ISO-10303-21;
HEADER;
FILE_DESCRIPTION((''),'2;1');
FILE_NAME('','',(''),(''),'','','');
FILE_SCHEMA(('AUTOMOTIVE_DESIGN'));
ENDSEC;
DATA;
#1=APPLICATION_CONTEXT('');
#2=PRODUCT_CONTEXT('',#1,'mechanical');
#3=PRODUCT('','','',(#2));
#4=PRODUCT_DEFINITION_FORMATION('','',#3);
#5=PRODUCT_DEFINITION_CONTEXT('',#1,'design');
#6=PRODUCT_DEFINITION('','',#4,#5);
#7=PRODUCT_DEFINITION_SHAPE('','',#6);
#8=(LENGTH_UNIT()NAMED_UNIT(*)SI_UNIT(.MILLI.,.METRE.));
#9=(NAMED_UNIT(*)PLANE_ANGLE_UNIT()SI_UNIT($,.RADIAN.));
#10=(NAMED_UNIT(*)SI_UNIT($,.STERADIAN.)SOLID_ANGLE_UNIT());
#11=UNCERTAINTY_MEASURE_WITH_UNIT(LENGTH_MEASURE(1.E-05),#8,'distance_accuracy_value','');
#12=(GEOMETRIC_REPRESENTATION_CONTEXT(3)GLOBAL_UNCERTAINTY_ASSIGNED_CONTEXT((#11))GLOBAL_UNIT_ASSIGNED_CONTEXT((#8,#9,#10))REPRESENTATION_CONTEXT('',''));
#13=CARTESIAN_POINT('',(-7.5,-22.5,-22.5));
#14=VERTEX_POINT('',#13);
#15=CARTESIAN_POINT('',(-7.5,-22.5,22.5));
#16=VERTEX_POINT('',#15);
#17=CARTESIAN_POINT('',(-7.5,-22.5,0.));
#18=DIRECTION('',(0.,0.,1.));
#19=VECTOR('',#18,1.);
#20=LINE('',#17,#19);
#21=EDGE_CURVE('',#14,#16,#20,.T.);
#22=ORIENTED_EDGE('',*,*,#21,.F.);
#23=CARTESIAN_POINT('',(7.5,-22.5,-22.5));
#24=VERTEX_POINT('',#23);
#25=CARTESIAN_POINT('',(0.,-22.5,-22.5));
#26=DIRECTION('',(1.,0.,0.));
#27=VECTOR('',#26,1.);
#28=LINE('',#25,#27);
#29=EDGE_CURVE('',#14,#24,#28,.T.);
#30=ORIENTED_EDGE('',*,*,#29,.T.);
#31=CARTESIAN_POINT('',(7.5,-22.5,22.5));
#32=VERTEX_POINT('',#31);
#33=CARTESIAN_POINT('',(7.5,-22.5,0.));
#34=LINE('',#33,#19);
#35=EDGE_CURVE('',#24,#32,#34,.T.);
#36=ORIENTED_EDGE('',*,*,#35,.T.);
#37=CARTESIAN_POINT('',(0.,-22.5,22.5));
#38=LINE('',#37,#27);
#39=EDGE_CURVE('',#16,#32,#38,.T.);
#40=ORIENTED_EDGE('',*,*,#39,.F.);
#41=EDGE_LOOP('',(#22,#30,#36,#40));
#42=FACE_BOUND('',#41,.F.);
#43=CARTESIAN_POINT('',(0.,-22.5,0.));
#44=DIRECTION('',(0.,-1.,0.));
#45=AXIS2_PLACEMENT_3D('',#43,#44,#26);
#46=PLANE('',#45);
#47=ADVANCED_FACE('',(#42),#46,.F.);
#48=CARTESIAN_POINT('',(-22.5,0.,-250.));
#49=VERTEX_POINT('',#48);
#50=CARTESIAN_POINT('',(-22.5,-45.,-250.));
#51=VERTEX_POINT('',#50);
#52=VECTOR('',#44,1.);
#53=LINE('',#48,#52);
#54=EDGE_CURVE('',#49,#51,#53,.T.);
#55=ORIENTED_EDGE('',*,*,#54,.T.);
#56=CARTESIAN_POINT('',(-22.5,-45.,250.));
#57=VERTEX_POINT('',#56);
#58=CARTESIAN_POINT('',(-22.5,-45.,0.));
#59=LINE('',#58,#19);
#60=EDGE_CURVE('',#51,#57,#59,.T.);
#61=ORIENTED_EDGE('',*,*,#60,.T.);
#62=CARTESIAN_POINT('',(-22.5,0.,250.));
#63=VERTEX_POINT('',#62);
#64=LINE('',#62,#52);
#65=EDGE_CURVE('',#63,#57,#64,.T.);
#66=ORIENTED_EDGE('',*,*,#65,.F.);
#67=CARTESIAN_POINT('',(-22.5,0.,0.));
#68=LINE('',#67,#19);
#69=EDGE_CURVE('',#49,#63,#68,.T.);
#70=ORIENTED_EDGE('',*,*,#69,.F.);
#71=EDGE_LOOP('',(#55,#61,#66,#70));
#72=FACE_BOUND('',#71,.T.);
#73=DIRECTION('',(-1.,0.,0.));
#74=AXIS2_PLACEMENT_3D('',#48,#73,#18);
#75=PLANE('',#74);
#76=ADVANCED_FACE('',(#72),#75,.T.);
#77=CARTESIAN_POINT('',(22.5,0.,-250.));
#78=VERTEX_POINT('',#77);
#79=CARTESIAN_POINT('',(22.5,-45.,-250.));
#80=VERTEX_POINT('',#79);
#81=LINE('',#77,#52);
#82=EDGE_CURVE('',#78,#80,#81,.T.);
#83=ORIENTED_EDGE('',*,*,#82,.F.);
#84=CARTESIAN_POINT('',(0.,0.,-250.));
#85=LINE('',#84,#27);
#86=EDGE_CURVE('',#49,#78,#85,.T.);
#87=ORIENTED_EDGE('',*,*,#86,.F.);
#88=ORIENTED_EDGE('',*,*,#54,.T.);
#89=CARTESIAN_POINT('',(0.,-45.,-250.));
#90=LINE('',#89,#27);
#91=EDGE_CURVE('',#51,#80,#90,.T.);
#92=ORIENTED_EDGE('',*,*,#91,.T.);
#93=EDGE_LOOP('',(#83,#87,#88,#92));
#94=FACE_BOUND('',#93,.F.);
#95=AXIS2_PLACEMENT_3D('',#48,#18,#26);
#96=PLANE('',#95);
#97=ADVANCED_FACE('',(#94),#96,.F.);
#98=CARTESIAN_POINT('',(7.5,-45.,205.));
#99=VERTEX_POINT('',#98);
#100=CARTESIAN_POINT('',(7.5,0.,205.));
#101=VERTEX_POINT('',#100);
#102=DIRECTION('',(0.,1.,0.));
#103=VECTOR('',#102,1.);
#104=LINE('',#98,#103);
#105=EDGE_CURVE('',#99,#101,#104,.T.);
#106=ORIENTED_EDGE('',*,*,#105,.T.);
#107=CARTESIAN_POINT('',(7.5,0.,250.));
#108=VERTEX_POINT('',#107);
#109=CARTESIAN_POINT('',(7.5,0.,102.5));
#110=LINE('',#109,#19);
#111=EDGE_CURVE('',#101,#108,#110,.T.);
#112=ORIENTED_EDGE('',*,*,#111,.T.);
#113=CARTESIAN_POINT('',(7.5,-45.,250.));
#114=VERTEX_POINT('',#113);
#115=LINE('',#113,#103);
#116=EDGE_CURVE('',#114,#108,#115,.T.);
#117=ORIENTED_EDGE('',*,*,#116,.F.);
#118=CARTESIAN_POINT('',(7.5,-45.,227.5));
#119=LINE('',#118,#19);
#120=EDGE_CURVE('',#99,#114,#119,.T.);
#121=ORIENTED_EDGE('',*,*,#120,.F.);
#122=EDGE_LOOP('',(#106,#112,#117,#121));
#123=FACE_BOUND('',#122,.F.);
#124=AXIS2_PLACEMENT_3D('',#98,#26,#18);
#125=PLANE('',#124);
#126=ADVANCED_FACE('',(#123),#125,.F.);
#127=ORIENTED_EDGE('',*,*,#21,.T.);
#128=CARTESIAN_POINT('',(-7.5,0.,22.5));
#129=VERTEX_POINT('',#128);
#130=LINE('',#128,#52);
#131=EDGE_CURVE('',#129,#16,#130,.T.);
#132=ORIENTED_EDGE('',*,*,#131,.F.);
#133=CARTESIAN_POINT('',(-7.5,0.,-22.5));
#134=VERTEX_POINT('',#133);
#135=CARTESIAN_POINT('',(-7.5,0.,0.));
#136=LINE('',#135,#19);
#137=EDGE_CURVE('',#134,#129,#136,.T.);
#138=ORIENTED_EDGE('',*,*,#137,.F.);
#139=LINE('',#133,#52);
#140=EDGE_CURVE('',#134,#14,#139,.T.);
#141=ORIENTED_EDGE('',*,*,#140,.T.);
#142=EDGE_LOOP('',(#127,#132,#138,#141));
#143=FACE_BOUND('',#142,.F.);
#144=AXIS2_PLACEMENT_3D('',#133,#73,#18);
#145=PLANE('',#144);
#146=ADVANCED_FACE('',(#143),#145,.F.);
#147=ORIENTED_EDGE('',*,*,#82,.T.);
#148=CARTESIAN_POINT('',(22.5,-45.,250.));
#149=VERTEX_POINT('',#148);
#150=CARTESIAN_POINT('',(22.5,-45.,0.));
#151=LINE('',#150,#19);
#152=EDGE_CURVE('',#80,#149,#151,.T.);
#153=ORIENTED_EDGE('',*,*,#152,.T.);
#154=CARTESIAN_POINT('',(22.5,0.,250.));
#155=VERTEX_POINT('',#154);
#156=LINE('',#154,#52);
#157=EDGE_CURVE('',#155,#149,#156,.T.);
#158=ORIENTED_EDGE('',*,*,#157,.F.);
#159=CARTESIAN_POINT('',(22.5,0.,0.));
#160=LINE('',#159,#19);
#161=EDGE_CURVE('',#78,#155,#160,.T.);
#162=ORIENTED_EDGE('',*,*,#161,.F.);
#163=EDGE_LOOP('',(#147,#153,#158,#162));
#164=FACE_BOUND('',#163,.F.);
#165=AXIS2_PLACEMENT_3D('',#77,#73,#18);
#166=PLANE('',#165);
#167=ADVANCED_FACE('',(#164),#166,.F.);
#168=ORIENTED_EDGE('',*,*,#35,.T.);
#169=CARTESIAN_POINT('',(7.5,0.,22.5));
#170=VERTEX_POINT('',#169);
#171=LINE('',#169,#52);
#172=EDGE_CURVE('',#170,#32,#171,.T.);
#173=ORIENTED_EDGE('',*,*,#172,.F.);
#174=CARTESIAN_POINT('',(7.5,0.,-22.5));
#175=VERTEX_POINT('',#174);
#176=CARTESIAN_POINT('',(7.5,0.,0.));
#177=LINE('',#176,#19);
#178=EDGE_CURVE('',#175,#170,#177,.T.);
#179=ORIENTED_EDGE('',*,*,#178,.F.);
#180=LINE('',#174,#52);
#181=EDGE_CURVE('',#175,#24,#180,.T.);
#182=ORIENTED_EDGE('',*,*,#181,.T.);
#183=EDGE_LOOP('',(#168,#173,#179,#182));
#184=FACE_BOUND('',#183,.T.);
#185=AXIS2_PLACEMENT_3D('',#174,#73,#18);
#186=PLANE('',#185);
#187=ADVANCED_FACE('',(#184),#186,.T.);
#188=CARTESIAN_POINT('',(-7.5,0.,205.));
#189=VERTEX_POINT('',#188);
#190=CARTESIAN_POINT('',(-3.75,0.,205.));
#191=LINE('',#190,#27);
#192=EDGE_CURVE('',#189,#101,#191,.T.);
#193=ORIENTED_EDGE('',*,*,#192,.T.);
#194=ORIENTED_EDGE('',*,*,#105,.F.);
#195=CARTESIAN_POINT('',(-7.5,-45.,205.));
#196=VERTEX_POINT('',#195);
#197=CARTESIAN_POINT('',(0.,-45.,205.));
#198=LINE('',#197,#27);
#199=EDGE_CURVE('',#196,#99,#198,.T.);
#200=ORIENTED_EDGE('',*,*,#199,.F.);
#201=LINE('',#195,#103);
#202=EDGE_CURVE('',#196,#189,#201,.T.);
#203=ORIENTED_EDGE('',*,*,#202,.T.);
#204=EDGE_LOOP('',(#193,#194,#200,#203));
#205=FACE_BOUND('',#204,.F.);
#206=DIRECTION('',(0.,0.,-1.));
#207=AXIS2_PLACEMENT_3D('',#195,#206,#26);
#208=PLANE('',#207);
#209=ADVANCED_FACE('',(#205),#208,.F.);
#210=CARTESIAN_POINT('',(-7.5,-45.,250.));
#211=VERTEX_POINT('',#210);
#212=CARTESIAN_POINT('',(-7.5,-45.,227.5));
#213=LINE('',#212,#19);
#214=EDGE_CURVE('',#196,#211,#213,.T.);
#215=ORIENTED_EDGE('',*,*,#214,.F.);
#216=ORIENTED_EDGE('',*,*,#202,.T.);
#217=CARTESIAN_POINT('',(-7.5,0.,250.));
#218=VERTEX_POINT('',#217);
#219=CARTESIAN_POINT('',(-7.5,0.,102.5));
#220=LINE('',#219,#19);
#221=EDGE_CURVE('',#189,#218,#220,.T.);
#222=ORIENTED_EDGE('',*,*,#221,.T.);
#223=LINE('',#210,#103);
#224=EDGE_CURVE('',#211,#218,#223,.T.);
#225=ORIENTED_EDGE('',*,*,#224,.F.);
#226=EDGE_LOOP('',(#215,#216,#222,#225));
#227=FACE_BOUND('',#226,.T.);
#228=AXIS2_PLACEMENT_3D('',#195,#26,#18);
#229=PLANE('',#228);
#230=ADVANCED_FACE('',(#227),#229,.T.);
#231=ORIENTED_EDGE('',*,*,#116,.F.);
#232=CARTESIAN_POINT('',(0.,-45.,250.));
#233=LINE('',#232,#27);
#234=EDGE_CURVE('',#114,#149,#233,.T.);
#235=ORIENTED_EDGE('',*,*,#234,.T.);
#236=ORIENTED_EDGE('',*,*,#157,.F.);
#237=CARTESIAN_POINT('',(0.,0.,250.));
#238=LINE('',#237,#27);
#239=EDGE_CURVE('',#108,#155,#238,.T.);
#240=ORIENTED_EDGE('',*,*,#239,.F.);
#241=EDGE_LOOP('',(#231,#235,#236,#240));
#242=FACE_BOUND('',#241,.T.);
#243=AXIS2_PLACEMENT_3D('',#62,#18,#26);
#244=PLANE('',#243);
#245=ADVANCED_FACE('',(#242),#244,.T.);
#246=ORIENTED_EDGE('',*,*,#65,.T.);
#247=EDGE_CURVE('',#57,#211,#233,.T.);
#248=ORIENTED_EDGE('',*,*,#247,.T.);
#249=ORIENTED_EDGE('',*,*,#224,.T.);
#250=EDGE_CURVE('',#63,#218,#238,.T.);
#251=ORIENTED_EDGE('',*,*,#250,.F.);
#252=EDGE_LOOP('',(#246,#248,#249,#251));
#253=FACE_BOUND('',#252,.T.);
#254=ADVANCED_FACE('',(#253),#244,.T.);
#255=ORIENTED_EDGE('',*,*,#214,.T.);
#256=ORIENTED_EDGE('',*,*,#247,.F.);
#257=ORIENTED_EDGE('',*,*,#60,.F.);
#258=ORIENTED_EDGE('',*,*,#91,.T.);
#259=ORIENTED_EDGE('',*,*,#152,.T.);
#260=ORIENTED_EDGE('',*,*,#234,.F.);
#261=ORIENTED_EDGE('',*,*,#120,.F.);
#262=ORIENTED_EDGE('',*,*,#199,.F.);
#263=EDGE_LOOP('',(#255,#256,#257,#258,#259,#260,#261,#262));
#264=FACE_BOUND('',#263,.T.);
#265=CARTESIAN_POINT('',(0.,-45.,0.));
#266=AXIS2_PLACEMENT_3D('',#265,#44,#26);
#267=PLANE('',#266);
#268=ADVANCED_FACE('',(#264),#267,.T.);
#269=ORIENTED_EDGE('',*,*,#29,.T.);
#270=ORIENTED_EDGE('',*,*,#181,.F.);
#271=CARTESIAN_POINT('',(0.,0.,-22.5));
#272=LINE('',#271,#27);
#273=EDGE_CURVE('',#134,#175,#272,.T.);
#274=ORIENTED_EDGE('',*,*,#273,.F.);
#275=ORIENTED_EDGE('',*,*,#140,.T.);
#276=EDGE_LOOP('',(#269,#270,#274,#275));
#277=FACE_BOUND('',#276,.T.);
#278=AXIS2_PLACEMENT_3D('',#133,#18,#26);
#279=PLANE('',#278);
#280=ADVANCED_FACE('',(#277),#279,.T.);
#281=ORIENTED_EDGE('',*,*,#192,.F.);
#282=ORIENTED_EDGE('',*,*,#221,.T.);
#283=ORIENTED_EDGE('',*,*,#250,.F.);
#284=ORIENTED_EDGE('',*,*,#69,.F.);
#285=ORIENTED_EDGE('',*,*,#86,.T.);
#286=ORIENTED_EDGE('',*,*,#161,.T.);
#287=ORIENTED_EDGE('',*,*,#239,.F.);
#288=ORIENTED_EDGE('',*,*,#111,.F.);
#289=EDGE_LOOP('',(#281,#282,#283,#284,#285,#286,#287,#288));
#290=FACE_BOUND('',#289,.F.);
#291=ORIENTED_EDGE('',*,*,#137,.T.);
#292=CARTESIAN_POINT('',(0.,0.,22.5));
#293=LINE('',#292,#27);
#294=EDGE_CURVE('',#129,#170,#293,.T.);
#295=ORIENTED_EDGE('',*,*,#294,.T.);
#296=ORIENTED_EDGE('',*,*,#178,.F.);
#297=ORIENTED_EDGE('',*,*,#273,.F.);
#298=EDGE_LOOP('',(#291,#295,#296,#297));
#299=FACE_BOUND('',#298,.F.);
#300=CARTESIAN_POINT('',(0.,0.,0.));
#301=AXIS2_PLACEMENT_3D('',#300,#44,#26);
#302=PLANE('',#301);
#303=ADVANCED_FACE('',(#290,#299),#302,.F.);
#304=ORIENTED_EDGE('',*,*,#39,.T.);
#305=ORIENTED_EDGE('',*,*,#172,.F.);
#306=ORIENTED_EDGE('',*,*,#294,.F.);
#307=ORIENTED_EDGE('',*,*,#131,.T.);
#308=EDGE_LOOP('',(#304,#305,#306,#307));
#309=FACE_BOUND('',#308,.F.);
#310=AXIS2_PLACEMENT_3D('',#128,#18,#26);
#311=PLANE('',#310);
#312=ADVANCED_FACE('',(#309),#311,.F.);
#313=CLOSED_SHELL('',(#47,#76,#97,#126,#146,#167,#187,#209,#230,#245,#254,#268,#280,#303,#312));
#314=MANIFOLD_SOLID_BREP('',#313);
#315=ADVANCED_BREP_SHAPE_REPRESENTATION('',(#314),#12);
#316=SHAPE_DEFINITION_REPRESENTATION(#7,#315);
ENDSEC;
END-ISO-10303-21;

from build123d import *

# Parameters (mm, degrees)
F0_W     = 45
F0_H     = 500
F1_DEPTH = 45
F2_W     = 15
F2_H     = 45
F3_DEPTH = 94
F4_W     = 15
F4_H     = 45
F5_DEPTH = 22.5


with BuildPart() as f1:
    # F0 (on Front) → F1 (new body)
    with BuildSketch(Plane.XZ):
        Rectangle(F0_W, F0_H)
    extrude(amount=F1_DEPTH)

    # F2 (on face) → F3 (cut)
    with BuildSketch(Plane.XZ.offset(45)):
        with Locations((0, 227.5)):
            Rectangle(F2_W, F2_H)
    extrude(amount=-F3_DEPTH, mode=Mode.SUBTRACT)

    # F4 (on Front) → F5 (cut)
    with BuildSketch(Plane.XZ):
        Rectangle(F4_W, F4_H)
    extrude(amount=F5_DEPTH, mode=Mode.SUBTRACT)


solid = f1.part
